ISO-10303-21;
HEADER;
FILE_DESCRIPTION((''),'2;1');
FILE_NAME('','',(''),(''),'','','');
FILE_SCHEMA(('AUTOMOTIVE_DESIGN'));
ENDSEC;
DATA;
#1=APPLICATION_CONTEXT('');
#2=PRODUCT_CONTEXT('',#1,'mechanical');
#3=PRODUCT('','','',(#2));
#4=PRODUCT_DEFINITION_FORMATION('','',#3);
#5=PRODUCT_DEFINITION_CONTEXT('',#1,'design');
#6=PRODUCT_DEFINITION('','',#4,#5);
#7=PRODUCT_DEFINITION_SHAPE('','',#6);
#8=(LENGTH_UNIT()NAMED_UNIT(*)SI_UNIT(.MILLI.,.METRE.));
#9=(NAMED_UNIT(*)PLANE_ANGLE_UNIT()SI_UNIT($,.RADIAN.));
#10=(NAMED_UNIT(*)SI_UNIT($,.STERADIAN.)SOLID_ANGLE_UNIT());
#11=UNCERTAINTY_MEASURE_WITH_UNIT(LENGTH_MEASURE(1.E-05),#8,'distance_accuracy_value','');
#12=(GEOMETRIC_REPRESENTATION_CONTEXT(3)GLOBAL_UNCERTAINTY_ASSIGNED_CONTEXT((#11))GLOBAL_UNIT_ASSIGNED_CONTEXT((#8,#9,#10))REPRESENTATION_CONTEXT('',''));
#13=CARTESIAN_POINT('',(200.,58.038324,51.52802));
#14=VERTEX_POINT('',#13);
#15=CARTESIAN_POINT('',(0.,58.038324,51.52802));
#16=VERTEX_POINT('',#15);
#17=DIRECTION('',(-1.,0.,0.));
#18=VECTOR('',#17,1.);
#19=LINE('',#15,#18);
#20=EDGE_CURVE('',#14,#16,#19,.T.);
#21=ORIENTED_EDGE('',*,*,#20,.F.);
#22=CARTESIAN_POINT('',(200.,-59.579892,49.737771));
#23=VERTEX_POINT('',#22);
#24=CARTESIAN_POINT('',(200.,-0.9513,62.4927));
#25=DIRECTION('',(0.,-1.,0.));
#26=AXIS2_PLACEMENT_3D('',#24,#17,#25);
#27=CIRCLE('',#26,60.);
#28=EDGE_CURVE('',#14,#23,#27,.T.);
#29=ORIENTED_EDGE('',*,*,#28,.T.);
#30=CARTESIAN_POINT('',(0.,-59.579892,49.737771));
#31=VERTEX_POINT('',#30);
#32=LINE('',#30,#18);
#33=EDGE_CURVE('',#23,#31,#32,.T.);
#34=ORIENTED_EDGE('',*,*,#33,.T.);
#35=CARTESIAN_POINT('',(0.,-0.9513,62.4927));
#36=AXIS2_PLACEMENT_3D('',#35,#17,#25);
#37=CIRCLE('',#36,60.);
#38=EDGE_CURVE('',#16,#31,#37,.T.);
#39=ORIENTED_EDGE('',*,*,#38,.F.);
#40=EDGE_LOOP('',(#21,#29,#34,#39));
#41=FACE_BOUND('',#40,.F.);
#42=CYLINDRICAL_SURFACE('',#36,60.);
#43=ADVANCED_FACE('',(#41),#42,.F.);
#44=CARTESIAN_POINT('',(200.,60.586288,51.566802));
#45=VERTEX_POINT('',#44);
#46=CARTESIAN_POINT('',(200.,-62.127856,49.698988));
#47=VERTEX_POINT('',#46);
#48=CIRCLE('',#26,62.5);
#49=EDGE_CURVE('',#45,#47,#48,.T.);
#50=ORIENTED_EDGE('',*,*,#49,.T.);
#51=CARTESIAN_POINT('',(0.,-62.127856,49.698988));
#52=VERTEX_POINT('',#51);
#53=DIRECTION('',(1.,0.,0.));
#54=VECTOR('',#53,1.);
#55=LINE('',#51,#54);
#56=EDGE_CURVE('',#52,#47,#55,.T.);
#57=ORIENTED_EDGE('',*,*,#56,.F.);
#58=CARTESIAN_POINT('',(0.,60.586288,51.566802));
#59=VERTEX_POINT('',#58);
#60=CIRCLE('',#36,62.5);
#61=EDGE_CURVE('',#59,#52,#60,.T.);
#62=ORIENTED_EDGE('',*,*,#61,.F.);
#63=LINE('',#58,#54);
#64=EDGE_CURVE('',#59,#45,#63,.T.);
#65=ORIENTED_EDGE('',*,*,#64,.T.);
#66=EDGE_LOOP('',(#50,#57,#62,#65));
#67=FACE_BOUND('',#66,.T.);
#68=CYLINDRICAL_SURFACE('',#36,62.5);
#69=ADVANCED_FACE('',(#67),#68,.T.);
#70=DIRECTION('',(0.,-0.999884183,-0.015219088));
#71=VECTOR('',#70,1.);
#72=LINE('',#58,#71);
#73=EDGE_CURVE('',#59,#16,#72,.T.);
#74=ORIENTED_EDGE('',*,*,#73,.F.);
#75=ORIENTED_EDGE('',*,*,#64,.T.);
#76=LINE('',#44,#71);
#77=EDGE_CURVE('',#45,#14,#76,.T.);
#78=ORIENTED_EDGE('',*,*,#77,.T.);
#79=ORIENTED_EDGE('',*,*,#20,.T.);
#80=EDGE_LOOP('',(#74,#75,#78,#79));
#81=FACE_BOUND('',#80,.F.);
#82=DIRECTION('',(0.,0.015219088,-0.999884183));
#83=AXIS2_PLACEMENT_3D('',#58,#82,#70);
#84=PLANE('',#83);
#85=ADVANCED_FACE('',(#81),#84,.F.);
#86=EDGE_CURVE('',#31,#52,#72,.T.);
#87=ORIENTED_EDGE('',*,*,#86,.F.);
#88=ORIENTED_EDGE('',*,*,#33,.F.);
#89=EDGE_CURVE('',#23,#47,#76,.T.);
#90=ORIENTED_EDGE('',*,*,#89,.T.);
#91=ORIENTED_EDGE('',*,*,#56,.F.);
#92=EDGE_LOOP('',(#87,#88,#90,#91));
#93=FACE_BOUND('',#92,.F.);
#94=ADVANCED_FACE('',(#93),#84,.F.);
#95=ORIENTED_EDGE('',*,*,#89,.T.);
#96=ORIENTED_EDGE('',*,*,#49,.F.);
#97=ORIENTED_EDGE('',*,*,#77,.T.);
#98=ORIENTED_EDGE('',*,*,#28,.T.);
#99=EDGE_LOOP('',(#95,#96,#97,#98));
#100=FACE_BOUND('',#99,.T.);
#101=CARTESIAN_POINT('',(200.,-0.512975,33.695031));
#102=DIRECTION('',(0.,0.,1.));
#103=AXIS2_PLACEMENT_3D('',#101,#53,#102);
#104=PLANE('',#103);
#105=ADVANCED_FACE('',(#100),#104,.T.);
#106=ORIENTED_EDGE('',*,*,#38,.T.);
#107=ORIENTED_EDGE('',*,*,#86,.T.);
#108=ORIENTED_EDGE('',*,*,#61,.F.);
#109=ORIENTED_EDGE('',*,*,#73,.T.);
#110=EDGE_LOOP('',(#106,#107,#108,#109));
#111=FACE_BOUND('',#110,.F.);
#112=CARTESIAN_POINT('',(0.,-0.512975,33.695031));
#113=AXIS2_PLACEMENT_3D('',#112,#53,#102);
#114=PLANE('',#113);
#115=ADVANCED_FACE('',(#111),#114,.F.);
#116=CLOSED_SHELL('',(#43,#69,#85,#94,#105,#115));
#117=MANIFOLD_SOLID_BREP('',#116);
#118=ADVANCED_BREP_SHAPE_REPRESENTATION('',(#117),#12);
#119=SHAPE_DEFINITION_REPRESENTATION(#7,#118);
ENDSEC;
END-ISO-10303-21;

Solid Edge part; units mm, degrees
sketch "Sketch1" plane through (0, 0, 0) normal (-1, 0, 0) x (0, -1, 0)
  line L0 (-60.5863, 51.5668) -> (62.1278, 49.699)
  arc A0 (-60.5863, 51.5668) -> (62.1279, 49.699) centre (0.9513, 62.4927) ccw
extrude "Protrusion1" add sketch "Sketch1" against normal blind 200
shell "Thinwall_26" thickness 2.5 removed faces 3 at (200, -1.9979, 8.0726) at (164.6667, 41.3611, 51.2742) at (0, -1.9979, 8.0726)
